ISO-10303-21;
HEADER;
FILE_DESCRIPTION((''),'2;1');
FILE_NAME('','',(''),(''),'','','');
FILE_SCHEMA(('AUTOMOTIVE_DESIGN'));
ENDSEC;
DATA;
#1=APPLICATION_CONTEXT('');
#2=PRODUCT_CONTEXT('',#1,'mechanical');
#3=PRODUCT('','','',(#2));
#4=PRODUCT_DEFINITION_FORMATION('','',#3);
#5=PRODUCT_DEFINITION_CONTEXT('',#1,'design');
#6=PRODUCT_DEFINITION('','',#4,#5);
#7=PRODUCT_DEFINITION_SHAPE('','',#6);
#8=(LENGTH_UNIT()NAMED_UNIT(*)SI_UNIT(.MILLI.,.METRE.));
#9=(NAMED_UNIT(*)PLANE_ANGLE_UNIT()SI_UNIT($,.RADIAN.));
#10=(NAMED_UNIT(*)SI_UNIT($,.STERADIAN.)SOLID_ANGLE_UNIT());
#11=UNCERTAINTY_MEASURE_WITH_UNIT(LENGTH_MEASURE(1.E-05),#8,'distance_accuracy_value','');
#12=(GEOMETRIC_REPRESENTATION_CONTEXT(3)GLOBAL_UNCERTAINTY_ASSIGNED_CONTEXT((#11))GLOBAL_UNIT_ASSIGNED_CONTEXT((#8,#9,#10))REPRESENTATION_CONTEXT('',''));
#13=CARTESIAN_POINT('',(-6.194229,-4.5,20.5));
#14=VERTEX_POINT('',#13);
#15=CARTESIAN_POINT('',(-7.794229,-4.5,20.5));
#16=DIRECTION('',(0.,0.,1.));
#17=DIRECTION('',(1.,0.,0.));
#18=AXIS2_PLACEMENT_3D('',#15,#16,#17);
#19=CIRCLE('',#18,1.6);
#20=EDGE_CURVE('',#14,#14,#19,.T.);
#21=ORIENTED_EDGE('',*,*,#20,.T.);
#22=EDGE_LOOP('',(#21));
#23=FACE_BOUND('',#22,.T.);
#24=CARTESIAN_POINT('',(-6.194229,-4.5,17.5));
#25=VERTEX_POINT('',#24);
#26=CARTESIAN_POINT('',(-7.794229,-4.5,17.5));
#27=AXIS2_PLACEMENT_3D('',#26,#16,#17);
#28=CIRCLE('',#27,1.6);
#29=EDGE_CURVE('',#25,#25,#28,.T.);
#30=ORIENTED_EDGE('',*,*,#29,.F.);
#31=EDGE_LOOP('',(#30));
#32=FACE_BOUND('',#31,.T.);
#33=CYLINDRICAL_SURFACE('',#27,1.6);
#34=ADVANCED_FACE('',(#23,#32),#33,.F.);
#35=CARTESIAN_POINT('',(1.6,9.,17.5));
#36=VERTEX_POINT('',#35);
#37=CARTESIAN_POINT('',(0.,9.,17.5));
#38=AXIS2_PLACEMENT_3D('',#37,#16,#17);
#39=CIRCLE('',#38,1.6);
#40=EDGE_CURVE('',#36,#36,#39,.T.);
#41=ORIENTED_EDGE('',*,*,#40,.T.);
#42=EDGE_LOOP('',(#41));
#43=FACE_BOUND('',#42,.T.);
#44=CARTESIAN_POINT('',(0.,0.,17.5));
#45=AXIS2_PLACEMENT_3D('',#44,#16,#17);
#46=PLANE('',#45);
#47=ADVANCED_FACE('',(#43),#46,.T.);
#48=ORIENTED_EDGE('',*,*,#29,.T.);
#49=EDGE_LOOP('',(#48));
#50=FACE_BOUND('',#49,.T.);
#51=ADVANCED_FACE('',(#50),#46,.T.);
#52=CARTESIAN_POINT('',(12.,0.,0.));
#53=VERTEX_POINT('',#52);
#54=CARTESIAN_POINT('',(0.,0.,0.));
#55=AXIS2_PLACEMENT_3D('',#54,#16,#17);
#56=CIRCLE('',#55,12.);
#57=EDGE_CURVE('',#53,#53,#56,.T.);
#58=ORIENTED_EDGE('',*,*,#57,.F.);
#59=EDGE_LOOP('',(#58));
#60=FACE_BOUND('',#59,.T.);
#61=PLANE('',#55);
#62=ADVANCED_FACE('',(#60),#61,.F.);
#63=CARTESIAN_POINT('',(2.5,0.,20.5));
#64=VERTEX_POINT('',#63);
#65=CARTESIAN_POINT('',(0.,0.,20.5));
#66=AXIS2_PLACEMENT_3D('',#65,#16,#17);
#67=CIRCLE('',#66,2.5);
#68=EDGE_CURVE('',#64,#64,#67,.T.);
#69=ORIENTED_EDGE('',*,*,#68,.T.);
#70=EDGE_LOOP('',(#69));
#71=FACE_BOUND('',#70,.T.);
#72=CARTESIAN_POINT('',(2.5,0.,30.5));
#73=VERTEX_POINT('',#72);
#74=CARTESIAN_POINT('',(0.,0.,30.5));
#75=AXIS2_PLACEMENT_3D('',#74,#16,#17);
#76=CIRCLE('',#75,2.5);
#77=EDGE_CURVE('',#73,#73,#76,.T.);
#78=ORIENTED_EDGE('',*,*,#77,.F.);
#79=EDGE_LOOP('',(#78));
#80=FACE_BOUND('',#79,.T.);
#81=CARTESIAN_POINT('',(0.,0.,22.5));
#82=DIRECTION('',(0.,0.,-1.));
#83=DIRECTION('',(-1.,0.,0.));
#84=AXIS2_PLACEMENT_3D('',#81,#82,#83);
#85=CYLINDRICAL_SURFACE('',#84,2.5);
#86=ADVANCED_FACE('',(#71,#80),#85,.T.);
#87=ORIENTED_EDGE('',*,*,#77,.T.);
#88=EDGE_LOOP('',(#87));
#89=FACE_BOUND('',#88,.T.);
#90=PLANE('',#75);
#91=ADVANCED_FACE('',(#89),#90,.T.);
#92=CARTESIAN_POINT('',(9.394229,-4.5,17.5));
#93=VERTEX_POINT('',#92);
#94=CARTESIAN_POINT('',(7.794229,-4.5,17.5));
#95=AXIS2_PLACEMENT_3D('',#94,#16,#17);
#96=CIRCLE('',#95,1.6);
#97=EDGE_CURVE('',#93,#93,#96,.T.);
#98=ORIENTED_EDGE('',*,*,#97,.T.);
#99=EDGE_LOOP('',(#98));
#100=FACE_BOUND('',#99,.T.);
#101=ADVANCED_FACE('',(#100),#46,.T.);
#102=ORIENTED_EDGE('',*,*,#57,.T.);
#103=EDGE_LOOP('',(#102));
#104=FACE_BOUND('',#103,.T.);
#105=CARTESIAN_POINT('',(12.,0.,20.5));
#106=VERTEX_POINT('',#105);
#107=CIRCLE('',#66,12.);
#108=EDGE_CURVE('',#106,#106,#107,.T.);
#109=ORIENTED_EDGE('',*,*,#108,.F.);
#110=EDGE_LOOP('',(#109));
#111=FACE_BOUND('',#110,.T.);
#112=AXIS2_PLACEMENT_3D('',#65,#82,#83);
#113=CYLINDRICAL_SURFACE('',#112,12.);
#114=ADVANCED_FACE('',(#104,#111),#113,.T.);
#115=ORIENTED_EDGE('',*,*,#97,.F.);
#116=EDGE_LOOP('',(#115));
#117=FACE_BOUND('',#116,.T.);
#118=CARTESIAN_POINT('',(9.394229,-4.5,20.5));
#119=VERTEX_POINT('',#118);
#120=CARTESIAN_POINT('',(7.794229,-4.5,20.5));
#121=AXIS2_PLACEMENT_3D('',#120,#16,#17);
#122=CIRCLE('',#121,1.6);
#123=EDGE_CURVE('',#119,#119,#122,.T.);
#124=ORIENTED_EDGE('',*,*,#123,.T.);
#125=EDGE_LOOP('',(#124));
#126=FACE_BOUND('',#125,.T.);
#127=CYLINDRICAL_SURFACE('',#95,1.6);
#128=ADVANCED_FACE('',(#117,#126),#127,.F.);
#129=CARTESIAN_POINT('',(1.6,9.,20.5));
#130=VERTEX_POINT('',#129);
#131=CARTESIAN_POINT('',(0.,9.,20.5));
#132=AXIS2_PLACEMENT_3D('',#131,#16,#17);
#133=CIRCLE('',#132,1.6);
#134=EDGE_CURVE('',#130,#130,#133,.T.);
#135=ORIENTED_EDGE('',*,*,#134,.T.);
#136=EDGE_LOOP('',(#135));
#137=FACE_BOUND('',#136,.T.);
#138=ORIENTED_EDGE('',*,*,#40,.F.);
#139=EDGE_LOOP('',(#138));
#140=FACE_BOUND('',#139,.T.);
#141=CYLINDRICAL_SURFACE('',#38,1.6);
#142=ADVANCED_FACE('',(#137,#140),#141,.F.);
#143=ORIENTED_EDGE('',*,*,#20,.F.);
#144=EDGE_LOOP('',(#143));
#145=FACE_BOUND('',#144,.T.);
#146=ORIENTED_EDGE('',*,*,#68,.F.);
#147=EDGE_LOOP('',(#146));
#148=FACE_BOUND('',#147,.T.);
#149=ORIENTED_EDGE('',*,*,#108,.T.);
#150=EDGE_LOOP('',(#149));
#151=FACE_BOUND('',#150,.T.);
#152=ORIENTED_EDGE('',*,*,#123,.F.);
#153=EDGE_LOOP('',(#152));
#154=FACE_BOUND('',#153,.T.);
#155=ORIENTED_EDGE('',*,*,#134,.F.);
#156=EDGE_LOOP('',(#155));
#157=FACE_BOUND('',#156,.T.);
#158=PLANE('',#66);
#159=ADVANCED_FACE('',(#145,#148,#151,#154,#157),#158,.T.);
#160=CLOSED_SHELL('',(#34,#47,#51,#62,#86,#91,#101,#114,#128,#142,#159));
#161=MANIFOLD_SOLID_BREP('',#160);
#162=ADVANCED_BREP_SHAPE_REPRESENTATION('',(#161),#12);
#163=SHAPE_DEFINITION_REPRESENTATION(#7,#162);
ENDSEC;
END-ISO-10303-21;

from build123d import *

# Parameters (mm, degrees)
ESQUISSE1_R             = 12
BOSS_EXTRU_1_DEPTH      = 20.5
ESQUISSE2_R             = 2.5
BOSS_EXTRU_2_DEPTH      = 2
ESQUISSE3_R             = 1.6
ENL_V_MAT_EXTRU_1_DEPTH = 3
ESQUISSE4_R             = 2.5
BOSS_EXTRU_3_DEPTH      = 8


with BuildPart() as part:
    # Esquisse1 → Boss.-Extru.1 (new body)
    with BuildSketch(Plane.XY):
        Circle(ESQUISSE1_R)
    extrude(amount=BOSS_EXTRU_1_DEPTH)

    # Esquisse2 → Boss.-Extru.2 (add)
    with BuildSketch(Plane.XY.offset(20.5)):
        Circle(ESQUISSE2_R)
    extrude(amount=BOSS_EXTRU_2_DEPTH)

    # Esquisse3 → Enlèv. mat.-Extru.1 (cut)
    with BuildSketch(Plane.XY.offset(20.5)):
        with Locations((0, 9)):
            Circle(ESQUISSE3_R)
        with Locations((-7.794228634, -4.5)):
            Circle(ESQUISSE3_R)
        with Locations((7.794228634, -4.5)):
            Circle(ESQUISSE3_R)
    extrude(amount=-ENL_V_MAT_EXTRU_1_DEPTH, mode=Mode.SUBTRACT)

    # Esquisse4 → Boss.-Extru.3 (add)
    with BuildSketch(Plane.XY.offset(22.5)):
        Circle(ESQUISSE4_R)
    extrude(amount=BOSS_EXTRU_3_DEPTH)


solid = part.part
